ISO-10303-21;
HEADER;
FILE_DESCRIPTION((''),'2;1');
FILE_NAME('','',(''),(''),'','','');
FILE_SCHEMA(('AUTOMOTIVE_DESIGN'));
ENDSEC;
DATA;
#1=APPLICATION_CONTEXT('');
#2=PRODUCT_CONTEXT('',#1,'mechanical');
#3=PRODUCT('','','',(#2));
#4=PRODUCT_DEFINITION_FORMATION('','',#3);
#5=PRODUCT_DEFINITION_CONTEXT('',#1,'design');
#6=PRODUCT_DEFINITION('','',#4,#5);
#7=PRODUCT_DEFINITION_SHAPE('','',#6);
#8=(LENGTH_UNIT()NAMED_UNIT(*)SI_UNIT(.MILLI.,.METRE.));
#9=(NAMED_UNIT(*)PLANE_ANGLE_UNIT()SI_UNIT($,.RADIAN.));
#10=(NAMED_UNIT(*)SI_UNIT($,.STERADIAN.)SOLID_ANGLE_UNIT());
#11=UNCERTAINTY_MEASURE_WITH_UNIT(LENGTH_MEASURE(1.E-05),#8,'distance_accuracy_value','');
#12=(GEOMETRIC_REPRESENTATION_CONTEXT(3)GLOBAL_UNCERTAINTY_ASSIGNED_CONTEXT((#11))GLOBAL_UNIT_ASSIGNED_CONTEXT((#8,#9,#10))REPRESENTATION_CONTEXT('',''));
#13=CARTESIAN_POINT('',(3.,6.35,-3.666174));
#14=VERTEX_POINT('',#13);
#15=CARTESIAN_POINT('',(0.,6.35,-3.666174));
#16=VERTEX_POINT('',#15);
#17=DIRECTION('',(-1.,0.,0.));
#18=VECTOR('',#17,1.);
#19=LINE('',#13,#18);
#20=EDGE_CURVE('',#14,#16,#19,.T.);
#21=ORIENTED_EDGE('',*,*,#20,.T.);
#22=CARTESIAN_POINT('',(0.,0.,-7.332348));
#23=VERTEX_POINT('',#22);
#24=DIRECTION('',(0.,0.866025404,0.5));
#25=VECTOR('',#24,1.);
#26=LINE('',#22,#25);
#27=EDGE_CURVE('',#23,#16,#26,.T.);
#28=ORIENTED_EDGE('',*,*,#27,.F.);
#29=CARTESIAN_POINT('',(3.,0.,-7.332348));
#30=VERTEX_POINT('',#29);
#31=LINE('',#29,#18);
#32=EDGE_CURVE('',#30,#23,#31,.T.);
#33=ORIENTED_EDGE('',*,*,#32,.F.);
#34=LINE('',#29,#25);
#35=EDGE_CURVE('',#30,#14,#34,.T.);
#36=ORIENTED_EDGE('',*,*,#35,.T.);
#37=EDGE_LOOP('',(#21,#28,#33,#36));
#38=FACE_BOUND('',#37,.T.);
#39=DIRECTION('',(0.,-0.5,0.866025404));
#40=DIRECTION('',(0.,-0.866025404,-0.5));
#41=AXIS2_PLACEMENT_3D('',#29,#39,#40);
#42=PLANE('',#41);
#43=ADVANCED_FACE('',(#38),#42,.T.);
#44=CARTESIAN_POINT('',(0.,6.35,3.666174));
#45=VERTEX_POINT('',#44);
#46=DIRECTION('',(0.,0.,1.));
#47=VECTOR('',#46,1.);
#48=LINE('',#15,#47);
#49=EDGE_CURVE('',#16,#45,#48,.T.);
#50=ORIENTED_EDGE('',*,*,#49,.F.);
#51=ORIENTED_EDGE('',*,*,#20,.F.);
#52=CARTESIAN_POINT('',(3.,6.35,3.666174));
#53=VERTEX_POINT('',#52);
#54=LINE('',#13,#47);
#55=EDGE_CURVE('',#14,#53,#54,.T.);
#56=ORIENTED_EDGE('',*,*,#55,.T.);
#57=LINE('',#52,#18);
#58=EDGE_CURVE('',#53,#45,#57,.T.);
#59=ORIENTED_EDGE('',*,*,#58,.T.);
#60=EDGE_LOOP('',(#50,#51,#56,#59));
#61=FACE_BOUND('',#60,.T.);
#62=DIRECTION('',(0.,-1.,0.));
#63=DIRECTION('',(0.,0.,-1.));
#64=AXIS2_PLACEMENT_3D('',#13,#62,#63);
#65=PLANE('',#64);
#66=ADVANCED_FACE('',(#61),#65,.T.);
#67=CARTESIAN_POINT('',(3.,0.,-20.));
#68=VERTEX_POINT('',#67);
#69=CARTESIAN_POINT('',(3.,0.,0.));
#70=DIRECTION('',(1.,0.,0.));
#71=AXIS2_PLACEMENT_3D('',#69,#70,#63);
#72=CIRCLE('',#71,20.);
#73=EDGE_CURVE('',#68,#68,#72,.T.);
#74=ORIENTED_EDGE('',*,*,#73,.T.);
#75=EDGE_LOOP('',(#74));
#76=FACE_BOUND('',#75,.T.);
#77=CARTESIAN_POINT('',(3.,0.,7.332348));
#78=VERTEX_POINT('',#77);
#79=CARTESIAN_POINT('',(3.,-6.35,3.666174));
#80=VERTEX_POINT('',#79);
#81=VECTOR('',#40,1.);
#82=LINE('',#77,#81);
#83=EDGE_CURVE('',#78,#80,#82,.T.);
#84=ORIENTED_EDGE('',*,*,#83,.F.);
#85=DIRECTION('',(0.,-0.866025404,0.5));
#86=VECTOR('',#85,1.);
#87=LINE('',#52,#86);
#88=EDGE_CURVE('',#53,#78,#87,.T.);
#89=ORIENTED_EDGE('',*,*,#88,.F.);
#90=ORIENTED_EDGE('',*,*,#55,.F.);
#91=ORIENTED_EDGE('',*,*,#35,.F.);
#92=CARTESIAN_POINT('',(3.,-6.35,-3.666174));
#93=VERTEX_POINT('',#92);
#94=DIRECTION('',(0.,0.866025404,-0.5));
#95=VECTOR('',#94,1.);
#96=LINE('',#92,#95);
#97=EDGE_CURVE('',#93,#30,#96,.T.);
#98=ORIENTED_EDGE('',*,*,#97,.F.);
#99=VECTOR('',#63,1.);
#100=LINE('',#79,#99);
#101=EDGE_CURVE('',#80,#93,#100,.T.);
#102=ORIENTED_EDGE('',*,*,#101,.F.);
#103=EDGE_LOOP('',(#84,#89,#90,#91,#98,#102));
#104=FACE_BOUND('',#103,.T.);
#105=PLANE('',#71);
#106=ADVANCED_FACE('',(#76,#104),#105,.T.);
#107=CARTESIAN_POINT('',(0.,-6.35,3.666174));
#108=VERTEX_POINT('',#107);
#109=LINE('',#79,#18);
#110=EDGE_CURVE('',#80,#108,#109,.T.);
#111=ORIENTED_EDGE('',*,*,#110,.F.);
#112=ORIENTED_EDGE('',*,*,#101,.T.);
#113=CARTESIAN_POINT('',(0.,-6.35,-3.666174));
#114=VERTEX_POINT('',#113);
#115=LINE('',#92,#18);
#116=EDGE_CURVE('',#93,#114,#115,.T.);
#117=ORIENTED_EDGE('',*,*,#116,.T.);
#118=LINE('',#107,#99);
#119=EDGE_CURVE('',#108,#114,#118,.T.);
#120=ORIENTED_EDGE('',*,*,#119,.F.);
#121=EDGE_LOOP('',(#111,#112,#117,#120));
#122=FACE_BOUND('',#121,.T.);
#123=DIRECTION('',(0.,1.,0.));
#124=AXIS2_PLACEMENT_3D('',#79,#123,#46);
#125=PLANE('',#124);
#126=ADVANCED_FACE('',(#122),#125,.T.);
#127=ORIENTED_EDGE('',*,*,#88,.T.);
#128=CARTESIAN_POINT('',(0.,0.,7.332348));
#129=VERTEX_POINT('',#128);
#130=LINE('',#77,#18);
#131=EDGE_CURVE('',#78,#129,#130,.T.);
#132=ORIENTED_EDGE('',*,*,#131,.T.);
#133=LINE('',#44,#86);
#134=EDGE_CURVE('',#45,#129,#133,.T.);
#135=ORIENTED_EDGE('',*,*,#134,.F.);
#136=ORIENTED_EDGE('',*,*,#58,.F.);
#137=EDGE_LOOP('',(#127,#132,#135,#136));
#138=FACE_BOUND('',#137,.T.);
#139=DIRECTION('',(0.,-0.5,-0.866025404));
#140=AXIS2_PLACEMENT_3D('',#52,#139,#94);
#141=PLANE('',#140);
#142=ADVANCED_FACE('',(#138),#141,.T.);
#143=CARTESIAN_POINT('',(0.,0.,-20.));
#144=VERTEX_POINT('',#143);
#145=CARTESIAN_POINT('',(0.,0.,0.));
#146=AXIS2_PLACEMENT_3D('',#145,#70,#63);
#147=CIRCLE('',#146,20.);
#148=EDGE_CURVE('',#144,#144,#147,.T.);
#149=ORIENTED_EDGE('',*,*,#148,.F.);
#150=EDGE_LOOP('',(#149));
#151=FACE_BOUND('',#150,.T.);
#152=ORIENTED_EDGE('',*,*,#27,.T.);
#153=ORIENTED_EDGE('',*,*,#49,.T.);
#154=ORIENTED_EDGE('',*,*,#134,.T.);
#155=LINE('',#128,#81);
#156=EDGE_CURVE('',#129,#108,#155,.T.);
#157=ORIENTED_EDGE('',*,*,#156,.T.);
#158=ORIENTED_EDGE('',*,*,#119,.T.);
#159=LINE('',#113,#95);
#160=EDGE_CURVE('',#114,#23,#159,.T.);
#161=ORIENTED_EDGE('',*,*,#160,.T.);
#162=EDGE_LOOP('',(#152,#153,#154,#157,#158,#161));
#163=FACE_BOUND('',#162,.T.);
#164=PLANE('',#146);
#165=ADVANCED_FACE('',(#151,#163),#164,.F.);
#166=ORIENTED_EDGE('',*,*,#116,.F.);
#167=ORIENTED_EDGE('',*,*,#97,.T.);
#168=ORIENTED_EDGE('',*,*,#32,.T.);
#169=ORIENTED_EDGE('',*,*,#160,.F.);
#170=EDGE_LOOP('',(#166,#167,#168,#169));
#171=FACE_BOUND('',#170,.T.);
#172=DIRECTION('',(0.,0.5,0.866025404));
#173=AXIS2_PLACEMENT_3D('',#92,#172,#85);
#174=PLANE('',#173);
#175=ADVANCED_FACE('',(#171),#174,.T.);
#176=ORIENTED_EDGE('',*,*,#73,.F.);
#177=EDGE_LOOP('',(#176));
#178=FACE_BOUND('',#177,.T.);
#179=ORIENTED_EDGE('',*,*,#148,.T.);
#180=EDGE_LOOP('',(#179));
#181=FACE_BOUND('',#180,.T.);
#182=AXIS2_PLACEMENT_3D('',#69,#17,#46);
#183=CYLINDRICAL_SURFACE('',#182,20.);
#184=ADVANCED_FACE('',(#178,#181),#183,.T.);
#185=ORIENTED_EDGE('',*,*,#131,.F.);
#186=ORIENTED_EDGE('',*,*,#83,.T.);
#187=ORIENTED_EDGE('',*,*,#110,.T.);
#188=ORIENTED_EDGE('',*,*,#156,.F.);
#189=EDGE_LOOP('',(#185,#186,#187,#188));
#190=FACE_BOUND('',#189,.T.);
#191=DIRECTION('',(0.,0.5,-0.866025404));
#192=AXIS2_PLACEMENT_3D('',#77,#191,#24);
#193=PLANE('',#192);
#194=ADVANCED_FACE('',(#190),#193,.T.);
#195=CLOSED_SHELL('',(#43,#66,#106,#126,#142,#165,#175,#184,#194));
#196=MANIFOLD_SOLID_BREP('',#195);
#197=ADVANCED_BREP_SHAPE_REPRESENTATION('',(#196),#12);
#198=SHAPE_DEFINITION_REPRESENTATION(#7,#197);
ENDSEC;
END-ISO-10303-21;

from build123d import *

# Parameters (mm, degrees)
CROQUIS1_R              = 20
SALIENTE_EXTRUIR1_DEPTH = 3


with BuildPart() as part:
    # Croquis1 → Saliente-Extruir1 (new body)
    with BuildSketch(Plane(origin=(0, 0, 0), x_dir=(0, 0, -1), z_dir=(1, 0, 0))):
        Circle(CROQUIS1_R)
        Polygon((7.332348419, 0), (3.666174209, 6.35), (-3.666174209, 6.35), (-7.332348419, 0), (-3.666174209, -6.35), (3.666174209, -6.35), align=None, mode=Mode.SUBTRACT)
    extrude(amount=SALIENTE_EXTRUIR1_DEPTH)


solid = part.part
